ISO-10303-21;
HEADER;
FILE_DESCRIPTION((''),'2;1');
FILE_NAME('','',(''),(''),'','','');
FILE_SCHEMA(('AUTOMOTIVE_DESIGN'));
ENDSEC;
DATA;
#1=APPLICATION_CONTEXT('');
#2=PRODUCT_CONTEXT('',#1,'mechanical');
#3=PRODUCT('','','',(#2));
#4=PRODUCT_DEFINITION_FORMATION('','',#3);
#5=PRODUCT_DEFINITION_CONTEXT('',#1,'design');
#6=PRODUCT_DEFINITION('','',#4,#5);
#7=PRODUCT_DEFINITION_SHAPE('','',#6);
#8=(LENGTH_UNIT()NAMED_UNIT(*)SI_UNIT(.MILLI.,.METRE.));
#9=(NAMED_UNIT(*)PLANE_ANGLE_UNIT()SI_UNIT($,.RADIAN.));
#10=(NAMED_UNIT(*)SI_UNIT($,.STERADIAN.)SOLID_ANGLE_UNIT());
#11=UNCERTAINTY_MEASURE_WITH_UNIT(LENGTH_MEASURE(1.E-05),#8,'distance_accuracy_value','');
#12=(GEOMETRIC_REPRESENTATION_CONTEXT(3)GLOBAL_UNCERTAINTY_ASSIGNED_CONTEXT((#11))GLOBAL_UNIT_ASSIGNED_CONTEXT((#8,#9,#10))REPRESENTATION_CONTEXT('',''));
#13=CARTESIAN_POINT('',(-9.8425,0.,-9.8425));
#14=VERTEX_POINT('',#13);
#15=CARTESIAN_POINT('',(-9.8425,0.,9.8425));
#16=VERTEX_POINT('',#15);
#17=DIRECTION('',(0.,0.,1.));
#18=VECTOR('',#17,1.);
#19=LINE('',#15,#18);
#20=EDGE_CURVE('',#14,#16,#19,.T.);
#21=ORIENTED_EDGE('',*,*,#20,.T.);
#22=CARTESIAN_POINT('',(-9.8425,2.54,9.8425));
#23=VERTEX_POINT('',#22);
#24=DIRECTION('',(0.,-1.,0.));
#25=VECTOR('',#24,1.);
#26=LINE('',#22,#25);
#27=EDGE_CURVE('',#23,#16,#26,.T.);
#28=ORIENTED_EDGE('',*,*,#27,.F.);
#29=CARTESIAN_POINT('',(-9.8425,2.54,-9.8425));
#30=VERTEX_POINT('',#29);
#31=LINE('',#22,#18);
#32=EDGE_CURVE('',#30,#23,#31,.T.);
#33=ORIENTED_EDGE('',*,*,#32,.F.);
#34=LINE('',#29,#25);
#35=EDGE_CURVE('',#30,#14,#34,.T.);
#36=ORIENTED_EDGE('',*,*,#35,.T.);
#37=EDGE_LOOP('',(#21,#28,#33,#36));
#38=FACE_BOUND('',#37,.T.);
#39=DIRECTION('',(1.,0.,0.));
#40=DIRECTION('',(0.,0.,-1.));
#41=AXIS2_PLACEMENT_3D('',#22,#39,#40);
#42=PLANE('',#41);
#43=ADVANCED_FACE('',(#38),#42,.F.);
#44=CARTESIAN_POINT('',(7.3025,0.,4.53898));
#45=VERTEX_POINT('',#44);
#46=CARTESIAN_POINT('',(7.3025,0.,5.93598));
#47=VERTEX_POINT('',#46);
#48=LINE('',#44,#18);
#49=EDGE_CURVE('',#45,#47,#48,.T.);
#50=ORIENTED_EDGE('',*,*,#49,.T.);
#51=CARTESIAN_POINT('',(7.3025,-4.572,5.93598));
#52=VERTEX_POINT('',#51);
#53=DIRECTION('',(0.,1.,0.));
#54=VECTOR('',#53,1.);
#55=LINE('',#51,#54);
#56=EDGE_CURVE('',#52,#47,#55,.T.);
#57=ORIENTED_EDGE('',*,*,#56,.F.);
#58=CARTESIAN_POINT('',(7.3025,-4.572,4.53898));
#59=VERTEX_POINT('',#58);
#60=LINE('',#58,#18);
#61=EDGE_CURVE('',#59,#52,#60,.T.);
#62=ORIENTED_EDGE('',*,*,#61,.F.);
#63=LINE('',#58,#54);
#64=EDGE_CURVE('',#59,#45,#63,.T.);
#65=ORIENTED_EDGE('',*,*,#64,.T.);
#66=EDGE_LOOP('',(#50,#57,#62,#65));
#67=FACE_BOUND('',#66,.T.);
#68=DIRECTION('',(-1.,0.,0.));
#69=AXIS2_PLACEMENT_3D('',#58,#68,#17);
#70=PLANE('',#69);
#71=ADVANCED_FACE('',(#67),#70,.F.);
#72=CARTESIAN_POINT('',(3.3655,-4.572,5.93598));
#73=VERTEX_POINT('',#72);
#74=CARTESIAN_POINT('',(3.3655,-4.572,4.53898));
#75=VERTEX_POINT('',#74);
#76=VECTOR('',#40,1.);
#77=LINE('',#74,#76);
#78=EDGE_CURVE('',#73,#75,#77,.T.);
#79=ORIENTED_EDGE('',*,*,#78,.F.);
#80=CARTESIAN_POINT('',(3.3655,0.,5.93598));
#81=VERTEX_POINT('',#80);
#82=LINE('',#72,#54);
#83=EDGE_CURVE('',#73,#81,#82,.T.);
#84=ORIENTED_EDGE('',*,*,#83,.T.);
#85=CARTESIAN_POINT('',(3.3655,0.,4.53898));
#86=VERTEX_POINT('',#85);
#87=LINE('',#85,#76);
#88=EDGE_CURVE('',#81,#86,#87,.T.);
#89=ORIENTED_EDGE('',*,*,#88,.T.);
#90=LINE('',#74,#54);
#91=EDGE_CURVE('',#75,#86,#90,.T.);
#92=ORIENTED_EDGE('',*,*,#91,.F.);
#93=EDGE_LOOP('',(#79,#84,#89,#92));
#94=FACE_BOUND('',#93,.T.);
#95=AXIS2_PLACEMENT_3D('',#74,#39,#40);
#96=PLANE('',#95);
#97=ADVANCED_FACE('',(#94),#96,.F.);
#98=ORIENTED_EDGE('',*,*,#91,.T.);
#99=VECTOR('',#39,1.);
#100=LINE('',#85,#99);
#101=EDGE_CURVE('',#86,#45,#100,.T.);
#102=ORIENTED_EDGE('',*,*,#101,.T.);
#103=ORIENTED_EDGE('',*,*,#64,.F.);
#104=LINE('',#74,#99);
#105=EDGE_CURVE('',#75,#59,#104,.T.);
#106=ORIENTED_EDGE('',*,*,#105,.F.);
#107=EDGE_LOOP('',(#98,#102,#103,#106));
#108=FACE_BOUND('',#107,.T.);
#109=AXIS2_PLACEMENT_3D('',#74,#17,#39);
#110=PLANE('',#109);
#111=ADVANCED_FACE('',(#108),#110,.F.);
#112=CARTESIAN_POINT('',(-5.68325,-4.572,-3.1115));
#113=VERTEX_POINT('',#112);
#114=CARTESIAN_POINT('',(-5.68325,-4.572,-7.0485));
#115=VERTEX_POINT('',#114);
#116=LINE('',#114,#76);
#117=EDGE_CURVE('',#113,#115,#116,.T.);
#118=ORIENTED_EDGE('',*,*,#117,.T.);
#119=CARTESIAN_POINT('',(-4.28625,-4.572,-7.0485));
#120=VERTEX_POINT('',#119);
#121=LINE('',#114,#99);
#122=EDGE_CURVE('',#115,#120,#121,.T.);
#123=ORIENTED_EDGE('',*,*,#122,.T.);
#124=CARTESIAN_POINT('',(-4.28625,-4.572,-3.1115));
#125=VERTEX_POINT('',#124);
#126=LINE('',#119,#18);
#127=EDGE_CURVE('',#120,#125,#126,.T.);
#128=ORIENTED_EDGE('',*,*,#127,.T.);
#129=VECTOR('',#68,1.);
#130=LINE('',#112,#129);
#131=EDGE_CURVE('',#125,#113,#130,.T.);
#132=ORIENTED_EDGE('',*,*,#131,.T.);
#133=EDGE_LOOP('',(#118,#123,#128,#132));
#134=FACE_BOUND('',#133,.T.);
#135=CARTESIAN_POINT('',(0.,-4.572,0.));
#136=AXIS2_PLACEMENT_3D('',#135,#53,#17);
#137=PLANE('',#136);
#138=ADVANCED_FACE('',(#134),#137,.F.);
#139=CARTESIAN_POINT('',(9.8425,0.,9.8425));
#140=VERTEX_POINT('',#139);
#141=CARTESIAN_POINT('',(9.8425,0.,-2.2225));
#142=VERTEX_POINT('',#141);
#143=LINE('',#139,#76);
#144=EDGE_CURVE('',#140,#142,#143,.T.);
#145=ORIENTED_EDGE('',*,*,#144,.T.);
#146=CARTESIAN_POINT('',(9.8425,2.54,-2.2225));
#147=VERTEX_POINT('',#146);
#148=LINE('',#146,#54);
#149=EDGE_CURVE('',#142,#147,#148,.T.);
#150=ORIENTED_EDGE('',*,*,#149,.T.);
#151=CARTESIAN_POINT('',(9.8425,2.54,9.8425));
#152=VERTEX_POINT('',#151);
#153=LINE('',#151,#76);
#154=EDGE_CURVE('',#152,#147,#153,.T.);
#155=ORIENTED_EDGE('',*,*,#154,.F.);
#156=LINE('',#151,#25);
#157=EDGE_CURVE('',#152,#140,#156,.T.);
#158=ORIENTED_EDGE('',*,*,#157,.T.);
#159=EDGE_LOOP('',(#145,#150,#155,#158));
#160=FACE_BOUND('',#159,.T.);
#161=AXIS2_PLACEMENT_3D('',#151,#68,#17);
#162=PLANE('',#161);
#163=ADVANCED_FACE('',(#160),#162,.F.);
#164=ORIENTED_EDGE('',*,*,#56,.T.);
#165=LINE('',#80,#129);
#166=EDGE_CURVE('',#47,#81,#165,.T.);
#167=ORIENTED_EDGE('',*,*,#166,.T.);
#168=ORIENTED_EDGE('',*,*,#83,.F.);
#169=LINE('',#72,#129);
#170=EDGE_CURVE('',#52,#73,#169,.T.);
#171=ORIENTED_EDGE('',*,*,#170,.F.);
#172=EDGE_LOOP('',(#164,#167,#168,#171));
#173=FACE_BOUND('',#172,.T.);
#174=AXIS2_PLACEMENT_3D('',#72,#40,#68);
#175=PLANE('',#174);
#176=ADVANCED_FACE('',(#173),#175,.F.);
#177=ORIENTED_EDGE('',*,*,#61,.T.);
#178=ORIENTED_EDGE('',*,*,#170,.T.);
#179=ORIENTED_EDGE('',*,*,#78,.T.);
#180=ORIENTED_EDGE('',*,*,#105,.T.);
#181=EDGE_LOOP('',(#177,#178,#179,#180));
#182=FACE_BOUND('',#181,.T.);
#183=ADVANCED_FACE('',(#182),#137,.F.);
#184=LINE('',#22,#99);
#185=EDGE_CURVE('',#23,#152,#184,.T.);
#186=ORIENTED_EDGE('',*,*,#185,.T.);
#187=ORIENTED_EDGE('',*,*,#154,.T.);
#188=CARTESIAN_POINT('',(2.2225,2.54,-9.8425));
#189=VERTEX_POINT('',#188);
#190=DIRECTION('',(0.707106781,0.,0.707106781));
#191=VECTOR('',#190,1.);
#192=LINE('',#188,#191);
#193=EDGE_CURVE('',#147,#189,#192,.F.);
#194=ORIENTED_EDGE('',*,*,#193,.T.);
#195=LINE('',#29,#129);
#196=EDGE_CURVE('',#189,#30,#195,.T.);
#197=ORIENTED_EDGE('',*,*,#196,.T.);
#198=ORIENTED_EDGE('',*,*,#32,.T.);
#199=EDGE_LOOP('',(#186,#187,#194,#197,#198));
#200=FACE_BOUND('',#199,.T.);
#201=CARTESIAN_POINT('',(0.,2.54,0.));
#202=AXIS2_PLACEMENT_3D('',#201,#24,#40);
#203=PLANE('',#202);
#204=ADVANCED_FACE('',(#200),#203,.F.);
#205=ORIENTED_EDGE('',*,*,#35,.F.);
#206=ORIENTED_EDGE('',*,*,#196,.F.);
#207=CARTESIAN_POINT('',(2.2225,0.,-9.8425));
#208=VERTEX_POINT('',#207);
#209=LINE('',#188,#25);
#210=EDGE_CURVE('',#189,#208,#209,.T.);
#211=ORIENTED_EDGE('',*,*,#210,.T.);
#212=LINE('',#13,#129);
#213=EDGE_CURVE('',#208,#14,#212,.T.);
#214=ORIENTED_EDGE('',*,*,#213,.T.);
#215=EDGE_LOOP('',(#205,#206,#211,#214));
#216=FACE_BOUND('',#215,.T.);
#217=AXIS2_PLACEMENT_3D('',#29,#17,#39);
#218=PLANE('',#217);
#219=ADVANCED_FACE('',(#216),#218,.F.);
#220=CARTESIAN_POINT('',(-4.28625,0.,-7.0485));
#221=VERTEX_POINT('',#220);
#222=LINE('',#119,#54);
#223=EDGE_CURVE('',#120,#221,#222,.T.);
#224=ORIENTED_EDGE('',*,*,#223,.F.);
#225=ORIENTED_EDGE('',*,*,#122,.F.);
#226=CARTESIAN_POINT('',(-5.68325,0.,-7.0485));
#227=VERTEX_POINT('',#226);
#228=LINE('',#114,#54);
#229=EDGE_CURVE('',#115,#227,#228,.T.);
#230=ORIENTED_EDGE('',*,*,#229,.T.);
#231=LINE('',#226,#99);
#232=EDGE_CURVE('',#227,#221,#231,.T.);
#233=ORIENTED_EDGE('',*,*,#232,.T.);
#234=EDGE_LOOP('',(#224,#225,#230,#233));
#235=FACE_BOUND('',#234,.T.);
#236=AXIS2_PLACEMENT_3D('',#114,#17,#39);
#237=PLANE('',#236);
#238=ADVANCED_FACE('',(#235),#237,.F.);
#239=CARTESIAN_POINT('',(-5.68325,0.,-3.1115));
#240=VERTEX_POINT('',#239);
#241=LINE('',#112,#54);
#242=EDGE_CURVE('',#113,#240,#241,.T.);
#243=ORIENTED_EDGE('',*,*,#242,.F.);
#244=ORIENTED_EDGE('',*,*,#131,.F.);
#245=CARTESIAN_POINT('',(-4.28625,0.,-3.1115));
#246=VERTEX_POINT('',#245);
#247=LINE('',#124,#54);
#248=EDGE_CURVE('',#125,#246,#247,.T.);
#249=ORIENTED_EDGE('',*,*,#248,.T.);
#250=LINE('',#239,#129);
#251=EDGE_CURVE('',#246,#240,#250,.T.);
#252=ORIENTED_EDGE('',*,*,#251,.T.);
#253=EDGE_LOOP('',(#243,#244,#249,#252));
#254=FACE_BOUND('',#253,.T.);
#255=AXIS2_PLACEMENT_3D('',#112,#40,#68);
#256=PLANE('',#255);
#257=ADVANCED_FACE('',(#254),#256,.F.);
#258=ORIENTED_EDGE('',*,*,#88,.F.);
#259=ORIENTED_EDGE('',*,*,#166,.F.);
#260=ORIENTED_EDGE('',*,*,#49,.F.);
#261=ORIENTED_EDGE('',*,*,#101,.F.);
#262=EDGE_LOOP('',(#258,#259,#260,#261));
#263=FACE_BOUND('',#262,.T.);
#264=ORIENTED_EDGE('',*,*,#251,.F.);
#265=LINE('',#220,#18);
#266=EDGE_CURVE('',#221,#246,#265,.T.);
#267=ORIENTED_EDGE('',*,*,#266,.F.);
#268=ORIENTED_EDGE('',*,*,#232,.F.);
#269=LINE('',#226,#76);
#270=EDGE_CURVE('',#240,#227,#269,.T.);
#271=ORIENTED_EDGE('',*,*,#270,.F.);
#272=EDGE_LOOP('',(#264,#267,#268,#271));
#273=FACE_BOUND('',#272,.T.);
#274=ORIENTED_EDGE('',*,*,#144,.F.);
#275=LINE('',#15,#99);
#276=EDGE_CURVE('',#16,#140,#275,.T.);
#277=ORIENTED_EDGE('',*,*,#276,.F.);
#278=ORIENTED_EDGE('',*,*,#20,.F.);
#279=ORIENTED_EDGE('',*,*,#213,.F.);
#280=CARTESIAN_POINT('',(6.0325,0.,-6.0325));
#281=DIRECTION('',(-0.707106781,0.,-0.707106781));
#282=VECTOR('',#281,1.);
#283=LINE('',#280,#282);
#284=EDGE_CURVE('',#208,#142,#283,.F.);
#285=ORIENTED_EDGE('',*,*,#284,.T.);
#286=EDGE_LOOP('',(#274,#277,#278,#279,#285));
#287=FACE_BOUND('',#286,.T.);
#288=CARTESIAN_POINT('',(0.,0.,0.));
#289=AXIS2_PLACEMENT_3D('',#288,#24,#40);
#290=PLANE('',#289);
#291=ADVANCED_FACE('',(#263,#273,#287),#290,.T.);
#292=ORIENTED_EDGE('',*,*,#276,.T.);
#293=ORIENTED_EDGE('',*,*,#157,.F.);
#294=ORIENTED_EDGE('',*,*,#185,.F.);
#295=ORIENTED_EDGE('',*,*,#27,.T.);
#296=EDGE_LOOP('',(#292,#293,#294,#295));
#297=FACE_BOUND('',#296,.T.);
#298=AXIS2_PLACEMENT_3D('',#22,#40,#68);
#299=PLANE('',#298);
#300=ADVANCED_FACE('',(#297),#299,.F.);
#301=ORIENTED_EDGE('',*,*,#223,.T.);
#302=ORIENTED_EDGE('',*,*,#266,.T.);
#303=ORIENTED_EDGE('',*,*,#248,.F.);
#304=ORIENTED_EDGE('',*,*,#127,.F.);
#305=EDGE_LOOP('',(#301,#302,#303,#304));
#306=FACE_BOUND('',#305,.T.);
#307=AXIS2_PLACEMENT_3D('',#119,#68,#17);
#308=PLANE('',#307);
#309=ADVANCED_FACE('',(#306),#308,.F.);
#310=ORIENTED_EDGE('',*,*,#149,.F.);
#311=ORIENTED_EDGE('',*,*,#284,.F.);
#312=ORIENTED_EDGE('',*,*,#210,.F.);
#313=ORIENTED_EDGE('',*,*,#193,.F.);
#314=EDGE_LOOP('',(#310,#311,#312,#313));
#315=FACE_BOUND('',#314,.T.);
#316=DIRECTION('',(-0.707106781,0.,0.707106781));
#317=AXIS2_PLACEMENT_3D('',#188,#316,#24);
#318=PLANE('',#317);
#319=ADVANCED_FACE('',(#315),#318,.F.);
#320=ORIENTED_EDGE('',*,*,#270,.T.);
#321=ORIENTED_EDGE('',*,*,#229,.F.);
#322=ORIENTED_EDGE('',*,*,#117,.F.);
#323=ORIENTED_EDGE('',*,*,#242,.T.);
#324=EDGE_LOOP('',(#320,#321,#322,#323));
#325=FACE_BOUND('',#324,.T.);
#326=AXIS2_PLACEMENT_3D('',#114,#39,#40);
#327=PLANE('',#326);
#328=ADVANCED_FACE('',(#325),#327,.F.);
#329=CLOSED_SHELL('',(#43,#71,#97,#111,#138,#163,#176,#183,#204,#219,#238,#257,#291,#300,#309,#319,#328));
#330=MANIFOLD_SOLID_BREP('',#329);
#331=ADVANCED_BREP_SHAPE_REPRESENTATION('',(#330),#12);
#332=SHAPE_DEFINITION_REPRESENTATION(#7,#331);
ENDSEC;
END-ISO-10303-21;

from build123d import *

# Parameters (mm, degrees)
SKETCH1_W           = 19.685
SKETCH1_H           = 19.685
BOSS_EXTRUDE1_DEPTH = 2.54
SKETCH3_W           = 1.397
SKETCH3_H           = 3.937
SKETCH3_W_2         = 3.937
SKETCH3_H_2         = 1.397
BOSS_EXTRUDE2_DEPTH = 4.572
CHAMFER1_SIZE       = 7.62


with BuildPart() as part:
    # Sketch1 → Boss-Extrude1 (new body)
    with BuildSketch(Plane(origin=(0, 0, 0), x_dir=(1, 0, 0), z_dir=(0, 1, 0))):
        Rectangle(SKETCH1_W, SKETCH1_H)
    extrude(amount=BOSS_EXTRUDE1_DEPTH)

    # Sketch3 → Boss-Extrude2 (add)
    with BuildSketch(Plane.XZ):
        with Locations((-4.98475, -5.08)):
            Rectangle(SKETCH3_W, SKETCH3_H)
        with Locations((5.334, 5.23748)):
            Rectangle(SKETCH3_W_2, SKETCH3_H_2)
    extrude(amount=BOSS_EXTRUDE2_DEPTH)

    # Chamfer1
    chamfer1_edges = [part.edges().sort_by_distance(p)[0] for p in [
        (9.8425, 1.27, -9.8425),
    ]]
    chamfer(chamfer1_edges, length=CHAMFER1_SIZE)


solid = part.part
